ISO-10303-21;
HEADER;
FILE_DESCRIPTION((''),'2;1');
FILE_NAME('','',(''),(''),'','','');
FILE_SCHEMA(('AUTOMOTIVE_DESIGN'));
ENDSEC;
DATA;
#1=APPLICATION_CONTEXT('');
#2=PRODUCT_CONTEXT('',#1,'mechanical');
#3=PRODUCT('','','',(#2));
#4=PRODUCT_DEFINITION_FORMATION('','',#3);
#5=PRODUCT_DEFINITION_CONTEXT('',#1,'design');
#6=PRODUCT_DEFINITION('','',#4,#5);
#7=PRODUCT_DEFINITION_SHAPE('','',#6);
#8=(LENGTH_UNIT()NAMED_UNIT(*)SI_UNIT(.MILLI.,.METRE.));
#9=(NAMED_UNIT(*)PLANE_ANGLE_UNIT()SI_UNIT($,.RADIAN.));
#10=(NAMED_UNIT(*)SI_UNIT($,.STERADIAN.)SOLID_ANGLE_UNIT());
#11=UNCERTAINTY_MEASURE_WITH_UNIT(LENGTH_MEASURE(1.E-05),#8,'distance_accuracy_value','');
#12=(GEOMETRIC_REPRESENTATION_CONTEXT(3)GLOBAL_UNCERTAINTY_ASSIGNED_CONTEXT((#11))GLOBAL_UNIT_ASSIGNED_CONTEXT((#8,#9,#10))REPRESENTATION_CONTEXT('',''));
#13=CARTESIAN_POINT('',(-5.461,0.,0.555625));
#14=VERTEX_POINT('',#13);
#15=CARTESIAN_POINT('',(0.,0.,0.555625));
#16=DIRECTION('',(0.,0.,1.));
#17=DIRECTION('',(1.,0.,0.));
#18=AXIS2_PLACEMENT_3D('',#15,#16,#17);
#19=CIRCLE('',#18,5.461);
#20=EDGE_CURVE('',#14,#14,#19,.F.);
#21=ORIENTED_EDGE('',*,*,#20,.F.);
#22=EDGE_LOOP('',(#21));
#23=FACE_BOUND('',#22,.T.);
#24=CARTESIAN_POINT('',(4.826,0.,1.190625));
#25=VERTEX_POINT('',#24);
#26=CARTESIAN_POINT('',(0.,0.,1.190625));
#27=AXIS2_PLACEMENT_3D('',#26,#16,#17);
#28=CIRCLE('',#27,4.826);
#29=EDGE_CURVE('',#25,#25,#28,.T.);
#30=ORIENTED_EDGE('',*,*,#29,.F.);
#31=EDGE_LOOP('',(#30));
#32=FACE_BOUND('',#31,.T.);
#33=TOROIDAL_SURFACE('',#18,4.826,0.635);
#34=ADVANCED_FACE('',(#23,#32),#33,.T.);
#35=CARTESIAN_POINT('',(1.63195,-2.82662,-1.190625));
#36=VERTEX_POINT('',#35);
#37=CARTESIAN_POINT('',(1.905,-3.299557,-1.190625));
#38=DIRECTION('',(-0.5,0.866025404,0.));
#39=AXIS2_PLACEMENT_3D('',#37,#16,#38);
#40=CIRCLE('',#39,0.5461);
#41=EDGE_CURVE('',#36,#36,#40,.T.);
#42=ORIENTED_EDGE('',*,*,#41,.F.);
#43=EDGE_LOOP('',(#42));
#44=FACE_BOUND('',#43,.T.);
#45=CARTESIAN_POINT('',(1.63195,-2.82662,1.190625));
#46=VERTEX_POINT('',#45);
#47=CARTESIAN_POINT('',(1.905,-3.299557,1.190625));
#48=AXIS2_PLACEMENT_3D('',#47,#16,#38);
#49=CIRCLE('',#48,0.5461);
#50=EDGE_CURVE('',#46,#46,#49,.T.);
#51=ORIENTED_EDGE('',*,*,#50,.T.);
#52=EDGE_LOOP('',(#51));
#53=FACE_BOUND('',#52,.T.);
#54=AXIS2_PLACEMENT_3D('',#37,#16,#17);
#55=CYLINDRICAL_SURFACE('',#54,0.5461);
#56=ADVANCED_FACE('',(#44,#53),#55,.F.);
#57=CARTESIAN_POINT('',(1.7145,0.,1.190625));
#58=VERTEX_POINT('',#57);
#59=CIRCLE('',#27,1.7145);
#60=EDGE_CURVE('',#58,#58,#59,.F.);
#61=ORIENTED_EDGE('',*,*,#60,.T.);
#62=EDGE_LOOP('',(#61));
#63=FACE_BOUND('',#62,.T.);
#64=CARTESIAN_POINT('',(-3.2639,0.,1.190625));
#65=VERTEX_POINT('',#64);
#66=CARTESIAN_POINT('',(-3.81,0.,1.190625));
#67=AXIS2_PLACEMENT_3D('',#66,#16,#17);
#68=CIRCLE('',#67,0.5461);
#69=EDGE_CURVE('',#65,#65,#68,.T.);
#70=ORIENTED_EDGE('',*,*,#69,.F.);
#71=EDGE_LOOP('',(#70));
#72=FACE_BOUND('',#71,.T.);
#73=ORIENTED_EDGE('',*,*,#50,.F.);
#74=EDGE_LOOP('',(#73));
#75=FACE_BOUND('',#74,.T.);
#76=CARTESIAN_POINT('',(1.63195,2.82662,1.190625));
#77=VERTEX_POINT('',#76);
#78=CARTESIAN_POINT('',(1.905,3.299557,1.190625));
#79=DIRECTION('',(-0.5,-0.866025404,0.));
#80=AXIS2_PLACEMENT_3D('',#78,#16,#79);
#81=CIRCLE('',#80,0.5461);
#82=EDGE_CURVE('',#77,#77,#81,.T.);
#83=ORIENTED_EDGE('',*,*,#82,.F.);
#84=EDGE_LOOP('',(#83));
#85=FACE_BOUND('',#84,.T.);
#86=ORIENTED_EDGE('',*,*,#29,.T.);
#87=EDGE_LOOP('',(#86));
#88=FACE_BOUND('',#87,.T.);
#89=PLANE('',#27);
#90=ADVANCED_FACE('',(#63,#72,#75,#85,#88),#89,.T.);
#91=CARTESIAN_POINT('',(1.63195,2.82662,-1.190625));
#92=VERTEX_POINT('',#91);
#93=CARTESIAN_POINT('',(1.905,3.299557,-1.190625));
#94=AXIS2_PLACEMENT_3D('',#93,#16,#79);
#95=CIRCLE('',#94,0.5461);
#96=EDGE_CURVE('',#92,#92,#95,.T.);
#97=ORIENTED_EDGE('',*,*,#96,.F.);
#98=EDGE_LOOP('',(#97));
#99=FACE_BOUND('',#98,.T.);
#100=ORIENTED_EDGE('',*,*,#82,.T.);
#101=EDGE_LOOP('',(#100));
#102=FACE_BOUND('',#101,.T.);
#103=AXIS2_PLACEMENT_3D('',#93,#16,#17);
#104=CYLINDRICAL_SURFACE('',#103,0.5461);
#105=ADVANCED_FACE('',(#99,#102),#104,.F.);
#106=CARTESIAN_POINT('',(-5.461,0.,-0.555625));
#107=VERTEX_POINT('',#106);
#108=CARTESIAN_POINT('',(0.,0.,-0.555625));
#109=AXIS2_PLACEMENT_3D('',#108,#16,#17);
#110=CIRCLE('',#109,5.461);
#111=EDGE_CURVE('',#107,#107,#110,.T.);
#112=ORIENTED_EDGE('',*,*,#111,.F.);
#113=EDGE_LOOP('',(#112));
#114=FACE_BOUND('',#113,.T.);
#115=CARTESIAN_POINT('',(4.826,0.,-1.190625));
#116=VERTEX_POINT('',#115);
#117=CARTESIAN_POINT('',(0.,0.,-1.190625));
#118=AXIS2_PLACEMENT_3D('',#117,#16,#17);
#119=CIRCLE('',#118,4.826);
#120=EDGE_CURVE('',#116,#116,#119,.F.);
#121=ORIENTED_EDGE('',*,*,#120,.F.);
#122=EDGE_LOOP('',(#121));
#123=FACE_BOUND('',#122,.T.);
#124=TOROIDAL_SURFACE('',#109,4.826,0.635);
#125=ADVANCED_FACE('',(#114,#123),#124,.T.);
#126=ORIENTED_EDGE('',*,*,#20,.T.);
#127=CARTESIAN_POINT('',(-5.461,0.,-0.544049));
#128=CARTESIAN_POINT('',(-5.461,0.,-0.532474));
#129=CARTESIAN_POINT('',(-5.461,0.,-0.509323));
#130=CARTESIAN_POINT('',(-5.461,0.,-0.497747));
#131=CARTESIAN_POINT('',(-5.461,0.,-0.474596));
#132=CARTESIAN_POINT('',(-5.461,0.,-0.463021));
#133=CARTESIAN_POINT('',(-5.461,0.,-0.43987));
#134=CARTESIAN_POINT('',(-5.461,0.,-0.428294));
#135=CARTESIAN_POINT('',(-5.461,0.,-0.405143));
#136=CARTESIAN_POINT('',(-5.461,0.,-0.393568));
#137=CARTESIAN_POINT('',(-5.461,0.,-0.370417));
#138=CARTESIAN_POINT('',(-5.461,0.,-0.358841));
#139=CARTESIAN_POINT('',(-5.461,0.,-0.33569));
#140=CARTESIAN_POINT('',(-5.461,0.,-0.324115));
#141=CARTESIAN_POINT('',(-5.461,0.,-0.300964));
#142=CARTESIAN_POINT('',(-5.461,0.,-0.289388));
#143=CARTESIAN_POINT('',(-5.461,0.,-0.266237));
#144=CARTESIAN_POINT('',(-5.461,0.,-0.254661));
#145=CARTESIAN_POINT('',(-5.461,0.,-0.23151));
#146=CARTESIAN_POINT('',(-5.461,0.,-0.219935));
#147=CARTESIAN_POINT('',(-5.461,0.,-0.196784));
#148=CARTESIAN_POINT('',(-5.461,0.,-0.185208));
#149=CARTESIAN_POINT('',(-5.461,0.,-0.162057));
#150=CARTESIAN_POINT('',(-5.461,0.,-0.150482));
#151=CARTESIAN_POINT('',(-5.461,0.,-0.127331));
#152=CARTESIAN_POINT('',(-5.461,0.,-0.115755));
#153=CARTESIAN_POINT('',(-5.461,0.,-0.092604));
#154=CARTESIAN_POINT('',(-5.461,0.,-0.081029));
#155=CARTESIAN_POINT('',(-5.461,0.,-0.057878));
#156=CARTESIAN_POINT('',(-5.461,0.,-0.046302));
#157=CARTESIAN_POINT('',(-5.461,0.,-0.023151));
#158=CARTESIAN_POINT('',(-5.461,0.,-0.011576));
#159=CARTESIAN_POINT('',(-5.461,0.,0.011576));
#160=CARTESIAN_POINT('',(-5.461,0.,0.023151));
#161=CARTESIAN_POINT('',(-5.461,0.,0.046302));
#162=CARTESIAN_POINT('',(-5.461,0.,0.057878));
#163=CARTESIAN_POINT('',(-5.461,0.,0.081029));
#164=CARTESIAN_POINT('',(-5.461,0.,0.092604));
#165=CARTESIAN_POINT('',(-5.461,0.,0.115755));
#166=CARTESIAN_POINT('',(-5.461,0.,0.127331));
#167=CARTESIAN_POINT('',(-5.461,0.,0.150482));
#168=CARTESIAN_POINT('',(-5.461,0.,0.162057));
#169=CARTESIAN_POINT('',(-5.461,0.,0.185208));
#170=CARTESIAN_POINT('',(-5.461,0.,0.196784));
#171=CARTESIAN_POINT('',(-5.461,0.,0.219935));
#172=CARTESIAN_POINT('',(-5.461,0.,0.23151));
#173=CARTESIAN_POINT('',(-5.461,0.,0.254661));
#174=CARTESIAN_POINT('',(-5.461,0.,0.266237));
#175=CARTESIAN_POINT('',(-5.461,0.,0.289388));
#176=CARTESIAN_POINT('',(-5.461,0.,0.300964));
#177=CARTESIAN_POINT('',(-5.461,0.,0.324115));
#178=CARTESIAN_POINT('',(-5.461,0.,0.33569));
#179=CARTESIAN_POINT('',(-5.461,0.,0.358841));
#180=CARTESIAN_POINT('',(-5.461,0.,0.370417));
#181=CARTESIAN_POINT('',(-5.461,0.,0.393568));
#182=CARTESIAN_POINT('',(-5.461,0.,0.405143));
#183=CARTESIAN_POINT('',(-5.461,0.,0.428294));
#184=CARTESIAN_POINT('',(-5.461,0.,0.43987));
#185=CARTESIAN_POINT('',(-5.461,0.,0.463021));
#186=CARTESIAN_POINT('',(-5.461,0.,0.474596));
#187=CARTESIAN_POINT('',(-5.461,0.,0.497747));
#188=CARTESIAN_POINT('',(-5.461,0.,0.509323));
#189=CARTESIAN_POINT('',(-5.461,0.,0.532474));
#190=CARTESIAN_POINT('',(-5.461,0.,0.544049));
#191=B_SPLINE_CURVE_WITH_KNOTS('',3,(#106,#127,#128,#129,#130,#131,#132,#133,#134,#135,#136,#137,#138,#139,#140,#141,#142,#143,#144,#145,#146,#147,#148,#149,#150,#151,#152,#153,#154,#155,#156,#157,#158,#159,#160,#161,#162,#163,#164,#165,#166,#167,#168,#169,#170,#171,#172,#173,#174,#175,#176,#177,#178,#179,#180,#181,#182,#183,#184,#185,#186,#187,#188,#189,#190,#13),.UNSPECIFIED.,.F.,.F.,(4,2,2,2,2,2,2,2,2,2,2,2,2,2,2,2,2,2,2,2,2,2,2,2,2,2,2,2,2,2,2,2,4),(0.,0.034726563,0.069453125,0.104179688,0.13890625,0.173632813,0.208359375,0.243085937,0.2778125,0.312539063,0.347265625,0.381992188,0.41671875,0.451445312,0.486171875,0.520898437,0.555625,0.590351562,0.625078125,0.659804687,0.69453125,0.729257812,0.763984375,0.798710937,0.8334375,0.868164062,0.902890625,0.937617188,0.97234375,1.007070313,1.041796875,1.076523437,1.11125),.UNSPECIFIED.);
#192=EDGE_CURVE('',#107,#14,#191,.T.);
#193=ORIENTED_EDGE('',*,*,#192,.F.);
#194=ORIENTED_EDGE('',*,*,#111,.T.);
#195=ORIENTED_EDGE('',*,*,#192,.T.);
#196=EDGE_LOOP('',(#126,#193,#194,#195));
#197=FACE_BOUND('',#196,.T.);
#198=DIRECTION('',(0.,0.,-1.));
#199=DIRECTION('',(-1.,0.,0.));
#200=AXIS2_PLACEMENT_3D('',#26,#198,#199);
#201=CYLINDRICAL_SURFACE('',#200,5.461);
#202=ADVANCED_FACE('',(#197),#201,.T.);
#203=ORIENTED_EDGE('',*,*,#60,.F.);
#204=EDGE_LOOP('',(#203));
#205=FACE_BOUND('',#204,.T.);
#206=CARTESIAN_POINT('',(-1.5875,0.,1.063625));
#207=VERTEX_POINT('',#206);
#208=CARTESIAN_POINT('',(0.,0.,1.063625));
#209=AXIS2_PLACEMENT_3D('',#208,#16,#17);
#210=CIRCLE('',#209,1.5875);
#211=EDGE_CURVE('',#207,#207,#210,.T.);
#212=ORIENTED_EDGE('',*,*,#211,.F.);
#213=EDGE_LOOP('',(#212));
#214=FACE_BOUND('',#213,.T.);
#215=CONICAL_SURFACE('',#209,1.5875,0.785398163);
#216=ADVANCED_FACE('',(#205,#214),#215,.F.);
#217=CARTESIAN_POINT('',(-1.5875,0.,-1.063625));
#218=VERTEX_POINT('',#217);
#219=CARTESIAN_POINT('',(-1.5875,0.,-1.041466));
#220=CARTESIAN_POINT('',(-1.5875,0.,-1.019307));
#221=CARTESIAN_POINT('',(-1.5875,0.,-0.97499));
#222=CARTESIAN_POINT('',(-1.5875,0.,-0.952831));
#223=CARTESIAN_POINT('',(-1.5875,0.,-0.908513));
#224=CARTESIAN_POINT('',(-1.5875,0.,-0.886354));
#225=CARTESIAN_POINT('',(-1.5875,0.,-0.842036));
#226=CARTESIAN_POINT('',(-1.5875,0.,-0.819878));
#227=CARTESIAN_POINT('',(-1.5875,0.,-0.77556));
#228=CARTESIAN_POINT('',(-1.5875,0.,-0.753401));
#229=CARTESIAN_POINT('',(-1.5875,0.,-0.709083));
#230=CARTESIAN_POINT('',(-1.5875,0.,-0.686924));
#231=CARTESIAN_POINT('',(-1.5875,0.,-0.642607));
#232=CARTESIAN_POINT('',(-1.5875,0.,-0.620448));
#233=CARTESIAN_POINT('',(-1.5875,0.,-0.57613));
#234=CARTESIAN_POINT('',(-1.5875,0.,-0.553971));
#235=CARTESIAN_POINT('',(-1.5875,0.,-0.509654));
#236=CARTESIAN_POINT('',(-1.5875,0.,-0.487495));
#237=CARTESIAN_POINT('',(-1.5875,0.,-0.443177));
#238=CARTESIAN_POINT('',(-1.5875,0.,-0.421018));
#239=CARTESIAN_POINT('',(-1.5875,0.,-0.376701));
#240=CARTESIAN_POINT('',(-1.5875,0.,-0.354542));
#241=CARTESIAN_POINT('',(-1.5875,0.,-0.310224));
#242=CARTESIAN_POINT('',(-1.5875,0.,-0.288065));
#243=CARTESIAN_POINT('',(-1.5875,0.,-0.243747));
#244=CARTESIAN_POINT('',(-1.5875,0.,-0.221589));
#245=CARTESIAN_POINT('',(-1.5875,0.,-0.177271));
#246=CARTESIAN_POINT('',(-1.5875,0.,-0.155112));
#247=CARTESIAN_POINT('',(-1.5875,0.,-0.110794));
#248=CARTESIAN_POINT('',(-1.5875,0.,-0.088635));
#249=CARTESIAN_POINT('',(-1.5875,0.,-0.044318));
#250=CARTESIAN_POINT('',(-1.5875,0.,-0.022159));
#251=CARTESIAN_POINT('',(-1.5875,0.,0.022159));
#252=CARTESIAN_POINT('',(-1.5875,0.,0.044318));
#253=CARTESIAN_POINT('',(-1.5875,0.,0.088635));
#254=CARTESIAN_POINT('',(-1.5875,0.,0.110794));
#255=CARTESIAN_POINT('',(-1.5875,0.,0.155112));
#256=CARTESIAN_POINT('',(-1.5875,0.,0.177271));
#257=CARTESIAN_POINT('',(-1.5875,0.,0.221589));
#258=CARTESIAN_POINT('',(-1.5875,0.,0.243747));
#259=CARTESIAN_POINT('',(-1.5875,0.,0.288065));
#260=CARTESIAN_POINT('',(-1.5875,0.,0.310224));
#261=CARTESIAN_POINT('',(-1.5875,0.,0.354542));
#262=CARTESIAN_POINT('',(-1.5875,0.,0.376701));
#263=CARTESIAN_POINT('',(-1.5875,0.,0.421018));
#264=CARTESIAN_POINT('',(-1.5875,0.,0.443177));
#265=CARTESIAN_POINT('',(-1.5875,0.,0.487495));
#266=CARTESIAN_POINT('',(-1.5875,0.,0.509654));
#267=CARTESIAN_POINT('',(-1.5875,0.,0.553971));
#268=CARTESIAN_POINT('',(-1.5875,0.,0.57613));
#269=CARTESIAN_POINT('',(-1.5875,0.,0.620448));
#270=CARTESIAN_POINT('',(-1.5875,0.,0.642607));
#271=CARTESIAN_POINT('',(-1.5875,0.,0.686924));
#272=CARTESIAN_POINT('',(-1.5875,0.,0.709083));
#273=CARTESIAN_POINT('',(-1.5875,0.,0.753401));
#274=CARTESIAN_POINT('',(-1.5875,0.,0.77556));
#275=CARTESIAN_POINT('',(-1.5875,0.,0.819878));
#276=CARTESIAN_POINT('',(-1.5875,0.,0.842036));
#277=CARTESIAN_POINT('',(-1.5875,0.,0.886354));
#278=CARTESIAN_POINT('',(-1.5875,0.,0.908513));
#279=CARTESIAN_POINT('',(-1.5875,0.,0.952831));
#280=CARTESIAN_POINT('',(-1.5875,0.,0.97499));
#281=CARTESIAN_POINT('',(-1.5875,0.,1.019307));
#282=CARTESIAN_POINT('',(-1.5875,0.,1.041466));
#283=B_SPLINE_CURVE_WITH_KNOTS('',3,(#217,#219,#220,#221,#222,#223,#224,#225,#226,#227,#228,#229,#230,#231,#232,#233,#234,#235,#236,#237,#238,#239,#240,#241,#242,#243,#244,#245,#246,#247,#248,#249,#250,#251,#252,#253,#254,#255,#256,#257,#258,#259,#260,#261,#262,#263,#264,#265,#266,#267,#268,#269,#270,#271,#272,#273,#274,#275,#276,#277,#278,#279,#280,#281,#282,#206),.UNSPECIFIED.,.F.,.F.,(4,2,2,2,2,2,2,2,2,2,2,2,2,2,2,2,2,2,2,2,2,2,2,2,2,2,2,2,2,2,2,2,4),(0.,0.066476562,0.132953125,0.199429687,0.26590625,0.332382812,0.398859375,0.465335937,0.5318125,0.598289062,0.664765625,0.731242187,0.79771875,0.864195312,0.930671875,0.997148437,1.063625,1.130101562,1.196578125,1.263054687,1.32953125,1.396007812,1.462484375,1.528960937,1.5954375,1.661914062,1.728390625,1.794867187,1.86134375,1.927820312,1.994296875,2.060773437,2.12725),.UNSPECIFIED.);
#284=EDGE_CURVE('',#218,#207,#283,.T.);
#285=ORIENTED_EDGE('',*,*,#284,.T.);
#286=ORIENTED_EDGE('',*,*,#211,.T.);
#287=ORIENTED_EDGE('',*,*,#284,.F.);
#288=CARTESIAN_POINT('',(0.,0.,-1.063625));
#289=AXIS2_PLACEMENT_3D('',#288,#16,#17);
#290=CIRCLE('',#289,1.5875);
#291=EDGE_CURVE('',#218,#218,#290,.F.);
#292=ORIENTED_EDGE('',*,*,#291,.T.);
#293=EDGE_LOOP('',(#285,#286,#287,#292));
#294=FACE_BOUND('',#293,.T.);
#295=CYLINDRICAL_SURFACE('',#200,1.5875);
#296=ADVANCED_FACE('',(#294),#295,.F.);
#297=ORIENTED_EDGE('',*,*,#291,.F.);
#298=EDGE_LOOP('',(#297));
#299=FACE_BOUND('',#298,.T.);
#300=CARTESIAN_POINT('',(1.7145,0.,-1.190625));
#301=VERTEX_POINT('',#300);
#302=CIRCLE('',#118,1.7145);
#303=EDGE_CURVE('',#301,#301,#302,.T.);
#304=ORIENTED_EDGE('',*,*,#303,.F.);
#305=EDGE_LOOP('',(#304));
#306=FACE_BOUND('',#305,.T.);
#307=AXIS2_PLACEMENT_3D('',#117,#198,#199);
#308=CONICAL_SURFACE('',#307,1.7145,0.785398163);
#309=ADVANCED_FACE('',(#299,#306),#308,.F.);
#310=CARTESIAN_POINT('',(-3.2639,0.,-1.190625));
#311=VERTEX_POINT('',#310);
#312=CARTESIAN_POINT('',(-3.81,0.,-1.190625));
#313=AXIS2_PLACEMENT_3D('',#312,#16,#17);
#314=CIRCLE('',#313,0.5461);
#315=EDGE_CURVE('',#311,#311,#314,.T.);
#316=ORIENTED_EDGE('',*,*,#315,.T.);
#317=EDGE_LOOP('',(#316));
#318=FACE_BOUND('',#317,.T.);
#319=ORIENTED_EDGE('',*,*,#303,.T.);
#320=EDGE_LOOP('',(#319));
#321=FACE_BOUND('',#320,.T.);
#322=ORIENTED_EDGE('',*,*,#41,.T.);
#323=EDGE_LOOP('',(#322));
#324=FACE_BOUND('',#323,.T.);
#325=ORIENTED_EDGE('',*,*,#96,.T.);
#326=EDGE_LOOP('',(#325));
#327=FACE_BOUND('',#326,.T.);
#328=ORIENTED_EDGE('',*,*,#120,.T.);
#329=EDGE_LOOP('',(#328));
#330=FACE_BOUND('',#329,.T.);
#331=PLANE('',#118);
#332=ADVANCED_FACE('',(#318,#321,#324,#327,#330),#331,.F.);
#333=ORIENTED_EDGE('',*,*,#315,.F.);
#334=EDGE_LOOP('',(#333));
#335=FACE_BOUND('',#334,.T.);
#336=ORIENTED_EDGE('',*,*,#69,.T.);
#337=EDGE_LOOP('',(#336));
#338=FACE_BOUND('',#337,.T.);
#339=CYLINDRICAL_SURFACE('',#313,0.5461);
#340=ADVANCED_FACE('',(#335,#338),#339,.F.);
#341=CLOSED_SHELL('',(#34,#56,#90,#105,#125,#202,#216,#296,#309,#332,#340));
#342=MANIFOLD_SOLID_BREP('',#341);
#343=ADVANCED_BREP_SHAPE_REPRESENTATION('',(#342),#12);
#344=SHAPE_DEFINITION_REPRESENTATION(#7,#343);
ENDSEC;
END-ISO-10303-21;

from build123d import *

# Parameters (mm, degrees)
SKETCH1_R           = 5.461
SKETCH1_R_2         = 1.5875
BOSS_EXTRUDE1_DEPTH = 1.190625
FILLET1_R           = 0.635
CHAMFER1_SIZE       = 0.127
SKETCH2_R           = 0.5461
CUT_EXTRUDE1_DEPTH  = 9.081794025
CIRPATTERN1_COUNT   = 3


with BuildPart() as part:
    # Sketch1 → Boss-Extrude1 (new, symmetric)
    with BuildSketch(Plane.XY):
        with Locations(Location((0, 0, 0), (0, 0, 180))):
            Circle(SKETCH1_R)
        with Locations(Location((0, 0, 0), (0, 0, 180))):
            Circle(SKETCH1_R_2, mode=Mode.SUBTRACT)
    extrude(amount=BOSS_EXTRUDE1_DEPTH, both=True)

    # Fillet1
    fillet1_edges = [part.edges().sort_by_distance(p)[0] for p in [
        (5.461, 0, -1.190625),
        (5.461, 0, 1.190625),
    ]]
    fillet(fillet1_edges, radius=FILLET1_R)

    # Chamfer1
    chamfer1_edges = [part.edges().sort_by_distance(p)[0] for p in [
        (1.5875, 0, -1.190625),
        (1.5875, 0, 1.190625),
    ]]
    chamfer(chamfer1_edges, length=CHAMFER1_SIZE)

    # Sketch2 → Cut-Extrude1 (cut, through all)
    with BuildSketch(Plane.XY.offset(1.190625)):
        with Locations((-3.81, 0)):
            Circle(SKETCH2_R)
    cut_extrude1 = extrude(amount=-CUT_EXTRUDE1_DEPTH, mode=Mode.SUBTRACT)

    # CirPattern1: Cut-Extrude1 ×3 about axis
    cirpattern1_axis = Axis((0, 0, 0), (0, 0, 1))
    for i in range(1, CIRPATTERN1_COUNT):
        add(cut_extrude1.rotate(cirpattern1_axis, i * 360 / CIRPATTERN1_COUNT), mode=Mode.SUBTRACT)


solid = part.part
